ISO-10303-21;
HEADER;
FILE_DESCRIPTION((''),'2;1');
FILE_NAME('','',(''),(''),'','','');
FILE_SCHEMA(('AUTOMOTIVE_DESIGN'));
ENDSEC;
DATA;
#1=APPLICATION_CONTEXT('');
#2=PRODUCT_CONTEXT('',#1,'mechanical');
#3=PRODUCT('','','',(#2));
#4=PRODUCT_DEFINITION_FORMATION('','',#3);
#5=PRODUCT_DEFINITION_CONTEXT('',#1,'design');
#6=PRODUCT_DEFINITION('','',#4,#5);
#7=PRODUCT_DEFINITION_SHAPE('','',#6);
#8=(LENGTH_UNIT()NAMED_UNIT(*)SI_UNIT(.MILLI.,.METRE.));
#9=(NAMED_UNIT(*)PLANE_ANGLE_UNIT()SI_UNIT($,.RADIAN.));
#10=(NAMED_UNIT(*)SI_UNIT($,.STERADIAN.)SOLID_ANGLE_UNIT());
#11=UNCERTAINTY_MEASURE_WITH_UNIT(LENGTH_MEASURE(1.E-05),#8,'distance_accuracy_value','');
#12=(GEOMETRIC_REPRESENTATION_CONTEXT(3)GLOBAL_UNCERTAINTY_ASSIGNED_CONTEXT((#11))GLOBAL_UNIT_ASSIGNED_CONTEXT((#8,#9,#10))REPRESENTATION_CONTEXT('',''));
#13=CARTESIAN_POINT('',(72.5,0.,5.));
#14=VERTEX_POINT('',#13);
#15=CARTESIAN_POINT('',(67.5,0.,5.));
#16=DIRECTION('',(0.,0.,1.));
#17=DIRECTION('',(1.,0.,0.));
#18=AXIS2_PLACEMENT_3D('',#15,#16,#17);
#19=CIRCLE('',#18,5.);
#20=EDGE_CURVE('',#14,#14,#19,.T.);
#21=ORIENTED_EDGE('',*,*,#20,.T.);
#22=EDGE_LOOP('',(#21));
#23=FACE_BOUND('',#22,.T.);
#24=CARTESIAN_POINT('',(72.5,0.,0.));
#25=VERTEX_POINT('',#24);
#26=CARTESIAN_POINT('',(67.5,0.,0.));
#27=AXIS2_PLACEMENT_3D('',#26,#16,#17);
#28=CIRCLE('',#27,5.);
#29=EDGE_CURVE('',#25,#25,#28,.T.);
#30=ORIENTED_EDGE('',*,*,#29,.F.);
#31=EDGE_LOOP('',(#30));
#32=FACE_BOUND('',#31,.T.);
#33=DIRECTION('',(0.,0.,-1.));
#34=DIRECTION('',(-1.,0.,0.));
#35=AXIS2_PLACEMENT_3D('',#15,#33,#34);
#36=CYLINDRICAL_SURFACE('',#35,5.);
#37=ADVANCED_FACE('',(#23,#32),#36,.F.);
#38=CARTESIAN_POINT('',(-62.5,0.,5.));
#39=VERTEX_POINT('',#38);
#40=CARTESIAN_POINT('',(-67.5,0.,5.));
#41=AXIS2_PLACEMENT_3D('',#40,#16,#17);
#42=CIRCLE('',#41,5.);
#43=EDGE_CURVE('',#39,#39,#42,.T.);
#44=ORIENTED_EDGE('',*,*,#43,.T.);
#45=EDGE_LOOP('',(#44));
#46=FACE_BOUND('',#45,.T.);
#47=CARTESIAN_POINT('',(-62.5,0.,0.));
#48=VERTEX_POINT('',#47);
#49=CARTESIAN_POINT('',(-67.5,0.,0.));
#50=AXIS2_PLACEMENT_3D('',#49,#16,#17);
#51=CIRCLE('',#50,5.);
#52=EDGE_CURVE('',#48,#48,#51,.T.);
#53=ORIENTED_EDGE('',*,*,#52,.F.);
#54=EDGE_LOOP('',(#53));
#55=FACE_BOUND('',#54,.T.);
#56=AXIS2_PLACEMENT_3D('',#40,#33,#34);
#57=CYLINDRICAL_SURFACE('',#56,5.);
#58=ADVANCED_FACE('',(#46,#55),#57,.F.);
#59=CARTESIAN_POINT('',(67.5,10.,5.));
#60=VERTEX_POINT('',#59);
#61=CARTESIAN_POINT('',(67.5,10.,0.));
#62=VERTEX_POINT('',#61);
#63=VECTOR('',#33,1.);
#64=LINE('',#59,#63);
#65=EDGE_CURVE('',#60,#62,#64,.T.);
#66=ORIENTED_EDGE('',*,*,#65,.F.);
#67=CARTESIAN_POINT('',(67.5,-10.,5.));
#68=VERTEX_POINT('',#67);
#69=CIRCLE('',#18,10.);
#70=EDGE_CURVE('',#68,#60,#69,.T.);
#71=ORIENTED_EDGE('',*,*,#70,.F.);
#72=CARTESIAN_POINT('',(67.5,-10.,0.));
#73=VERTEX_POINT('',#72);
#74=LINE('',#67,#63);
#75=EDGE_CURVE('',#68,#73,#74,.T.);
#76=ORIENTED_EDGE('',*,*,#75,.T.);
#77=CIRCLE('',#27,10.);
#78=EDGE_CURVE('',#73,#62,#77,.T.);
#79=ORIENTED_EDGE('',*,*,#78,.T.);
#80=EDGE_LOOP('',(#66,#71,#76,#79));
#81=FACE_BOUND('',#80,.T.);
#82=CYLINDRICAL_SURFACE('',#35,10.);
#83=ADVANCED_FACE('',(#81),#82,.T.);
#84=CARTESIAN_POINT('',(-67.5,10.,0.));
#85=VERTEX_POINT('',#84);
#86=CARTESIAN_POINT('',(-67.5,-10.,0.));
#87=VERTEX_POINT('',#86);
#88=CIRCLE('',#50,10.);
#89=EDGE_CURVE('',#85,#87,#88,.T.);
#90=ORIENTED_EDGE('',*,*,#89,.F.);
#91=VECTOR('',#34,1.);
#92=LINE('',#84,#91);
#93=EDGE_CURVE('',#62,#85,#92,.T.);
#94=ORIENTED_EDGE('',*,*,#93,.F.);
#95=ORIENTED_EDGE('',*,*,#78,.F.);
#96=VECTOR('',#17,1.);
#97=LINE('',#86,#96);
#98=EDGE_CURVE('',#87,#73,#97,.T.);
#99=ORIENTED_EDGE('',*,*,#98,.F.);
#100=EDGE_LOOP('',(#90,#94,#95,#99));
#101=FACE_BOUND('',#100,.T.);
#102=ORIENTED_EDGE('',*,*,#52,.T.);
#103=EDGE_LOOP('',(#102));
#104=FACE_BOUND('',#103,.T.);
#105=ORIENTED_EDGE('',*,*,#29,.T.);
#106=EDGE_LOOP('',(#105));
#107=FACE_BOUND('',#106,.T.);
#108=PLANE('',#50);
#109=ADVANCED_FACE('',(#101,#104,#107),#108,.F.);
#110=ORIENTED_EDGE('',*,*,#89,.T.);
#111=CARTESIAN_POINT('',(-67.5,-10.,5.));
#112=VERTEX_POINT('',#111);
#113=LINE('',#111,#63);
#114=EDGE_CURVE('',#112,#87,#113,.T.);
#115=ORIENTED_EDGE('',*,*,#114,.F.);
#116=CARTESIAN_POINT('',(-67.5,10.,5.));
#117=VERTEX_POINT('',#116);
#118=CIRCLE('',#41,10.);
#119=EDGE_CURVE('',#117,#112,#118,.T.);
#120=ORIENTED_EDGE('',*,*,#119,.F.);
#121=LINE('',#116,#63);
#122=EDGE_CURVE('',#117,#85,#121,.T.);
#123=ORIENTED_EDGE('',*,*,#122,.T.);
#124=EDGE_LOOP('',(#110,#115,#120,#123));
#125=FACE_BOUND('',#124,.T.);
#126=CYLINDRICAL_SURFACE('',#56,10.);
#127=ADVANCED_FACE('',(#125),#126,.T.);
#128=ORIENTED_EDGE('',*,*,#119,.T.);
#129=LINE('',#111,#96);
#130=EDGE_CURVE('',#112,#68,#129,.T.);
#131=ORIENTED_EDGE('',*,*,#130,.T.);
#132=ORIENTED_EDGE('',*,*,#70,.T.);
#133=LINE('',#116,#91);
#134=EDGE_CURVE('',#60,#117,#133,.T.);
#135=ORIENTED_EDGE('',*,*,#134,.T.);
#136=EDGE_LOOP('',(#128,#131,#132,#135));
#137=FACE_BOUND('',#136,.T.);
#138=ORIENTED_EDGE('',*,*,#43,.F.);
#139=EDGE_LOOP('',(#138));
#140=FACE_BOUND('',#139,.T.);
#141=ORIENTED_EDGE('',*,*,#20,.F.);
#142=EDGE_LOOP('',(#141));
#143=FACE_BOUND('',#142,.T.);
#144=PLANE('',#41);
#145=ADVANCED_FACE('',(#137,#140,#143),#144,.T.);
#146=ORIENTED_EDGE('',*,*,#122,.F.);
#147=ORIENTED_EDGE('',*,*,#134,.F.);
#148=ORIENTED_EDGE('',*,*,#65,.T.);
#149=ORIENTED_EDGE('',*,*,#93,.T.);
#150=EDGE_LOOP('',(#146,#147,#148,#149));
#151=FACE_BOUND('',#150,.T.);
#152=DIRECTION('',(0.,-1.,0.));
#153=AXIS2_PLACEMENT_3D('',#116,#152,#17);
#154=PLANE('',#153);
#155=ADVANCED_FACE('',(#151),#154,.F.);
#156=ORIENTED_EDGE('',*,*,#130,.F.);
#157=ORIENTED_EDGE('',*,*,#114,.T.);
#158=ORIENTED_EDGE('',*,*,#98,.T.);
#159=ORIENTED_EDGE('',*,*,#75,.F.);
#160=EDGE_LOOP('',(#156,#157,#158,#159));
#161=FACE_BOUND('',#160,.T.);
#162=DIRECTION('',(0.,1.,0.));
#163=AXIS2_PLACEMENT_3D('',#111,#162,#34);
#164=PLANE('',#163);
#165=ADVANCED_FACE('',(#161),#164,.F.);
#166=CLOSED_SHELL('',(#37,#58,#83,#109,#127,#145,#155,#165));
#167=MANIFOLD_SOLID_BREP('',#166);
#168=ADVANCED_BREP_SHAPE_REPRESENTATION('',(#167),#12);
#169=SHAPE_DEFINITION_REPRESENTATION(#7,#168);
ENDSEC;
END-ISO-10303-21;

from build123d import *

# Parameters (mm, degrees)
CROQUIS1_R              = 5
SALIENTE_EXTRUIR1_DEPTH = 5


with BuildPart() as part:
    # Croquis1 → Saliente-Extruir1 (new body)
    with BuildSketch(Plane.XY):
        with BuildLine():
            Line((-67.5, 10), (67.5, 10))
            ThreePointArc((67.5, 10), (77.5, 0), (67.5, -10))
            Line((67.5, -10), (-67.5, -10))
            ThreePointArc((-67.5, -10), (-77.5, 0), (-67.5, 10))
        make_face()
        with Locations((67.5, 0)):
            Circle(CROQUIS1_R, mode=Mode.SUBTRACT)
        with Locations((-67.5, 0)):
            Circle(CROQUIS1_R, mode=Mode.SUBTRACT)
    extrude(amount=SALIENTE_EXTRUIR1_DEPTH)


solid = part.part
